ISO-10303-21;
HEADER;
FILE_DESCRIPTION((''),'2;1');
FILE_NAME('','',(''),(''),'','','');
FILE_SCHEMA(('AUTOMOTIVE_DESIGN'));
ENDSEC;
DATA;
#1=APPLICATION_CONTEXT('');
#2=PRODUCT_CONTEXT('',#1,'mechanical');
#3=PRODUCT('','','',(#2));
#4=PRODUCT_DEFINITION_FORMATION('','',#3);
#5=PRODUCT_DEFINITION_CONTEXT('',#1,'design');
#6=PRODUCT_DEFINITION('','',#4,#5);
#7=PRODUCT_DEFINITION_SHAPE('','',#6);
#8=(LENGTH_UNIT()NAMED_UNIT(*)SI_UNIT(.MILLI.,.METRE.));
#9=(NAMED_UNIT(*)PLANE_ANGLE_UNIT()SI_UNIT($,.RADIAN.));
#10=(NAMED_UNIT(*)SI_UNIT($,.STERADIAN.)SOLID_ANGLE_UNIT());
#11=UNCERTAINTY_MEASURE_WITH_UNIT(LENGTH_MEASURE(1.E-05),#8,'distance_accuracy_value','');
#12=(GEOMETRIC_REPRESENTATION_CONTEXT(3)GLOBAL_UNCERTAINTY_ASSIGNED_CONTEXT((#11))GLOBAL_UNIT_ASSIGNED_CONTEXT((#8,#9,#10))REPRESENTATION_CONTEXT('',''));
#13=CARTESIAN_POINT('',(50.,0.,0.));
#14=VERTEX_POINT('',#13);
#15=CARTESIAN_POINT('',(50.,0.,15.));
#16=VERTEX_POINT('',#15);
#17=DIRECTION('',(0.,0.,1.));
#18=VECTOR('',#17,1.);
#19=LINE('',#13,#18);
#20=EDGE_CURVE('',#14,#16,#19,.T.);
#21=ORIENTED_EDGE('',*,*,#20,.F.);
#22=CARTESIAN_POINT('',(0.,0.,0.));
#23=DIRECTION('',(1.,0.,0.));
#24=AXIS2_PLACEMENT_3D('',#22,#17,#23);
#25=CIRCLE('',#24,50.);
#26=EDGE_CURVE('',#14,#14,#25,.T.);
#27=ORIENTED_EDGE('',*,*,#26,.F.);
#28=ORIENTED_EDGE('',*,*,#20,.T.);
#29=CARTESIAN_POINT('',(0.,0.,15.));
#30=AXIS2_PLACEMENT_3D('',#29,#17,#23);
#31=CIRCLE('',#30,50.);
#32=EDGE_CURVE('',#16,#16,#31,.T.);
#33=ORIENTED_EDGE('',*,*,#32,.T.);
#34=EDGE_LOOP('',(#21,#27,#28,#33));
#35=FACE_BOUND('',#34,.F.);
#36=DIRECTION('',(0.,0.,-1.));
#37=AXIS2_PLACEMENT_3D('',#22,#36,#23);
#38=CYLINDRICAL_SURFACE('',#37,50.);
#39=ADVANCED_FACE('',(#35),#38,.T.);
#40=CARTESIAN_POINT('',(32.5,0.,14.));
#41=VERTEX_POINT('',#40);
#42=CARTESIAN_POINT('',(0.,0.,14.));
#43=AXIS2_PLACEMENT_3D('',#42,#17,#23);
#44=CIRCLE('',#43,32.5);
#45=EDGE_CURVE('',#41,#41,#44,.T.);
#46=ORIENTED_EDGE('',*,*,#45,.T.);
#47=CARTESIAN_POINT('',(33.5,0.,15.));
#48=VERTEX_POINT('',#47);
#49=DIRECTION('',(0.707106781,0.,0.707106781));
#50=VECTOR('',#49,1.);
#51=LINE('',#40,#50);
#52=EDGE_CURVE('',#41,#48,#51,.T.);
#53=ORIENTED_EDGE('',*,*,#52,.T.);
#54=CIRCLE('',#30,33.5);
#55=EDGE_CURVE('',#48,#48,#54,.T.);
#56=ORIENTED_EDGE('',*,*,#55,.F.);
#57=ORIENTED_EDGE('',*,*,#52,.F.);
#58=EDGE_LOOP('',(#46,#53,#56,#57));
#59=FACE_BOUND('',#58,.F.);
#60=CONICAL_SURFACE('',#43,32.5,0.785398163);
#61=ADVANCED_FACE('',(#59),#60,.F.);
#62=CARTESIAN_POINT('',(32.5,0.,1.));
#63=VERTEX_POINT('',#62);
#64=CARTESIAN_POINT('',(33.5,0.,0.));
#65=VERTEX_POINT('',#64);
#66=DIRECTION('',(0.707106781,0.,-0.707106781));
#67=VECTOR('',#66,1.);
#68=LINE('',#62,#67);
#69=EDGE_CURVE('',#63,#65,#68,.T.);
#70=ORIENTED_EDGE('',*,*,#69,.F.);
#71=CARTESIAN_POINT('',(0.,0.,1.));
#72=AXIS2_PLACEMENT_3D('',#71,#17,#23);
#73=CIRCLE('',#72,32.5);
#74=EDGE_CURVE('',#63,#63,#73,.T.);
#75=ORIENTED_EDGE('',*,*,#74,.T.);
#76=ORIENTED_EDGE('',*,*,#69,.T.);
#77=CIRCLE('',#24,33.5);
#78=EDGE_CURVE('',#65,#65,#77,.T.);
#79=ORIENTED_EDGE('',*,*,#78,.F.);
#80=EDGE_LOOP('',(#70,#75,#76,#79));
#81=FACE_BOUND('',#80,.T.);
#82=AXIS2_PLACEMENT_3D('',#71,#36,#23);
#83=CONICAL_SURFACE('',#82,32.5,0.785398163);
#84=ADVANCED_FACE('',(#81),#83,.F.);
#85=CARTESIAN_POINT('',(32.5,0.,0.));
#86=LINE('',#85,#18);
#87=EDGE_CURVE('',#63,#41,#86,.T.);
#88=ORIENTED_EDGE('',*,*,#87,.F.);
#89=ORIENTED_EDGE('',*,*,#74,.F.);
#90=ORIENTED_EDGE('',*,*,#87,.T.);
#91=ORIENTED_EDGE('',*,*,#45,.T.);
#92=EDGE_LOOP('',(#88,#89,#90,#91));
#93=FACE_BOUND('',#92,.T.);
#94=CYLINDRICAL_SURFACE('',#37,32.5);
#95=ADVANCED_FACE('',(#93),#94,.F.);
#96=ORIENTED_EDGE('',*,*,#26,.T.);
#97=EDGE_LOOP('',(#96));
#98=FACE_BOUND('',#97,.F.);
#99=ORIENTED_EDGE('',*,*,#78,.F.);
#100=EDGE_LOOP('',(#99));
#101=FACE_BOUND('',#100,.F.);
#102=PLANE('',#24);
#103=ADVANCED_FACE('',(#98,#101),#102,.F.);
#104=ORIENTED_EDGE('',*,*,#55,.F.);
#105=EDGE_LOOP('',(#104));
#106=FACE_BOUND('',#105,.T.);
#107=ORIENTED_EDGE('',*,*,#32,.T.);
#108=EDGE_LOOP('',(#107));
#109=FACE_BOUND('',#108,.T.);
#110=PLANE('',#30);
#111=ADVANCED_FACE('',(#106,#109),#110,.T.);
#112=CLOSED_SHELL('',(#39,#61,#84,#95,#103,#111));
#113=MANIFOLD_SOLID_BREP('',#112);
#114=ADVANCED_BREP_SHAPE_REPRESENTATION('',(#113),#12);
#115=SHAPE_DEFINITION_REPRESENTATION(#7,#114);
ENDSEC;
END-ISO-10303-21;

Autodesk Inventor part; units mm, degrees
ref_plane "YZ Plane" through (0, 0, 0) normal (1, 0, 0) x (0, 1, 0)
ref_plane "XZ Plane" through (0, 0, 0) normal (0, 1, 0) x (-1, 0, 0)
ref_plane "XY Plane" through (0, 0, 0) normal (0, 0, 1) x (1, 0, 0)
sketch "Sketch1" plane through (0, 0, 0) normal (0, 0, 1) x (1, 0, 0)
  circle A0 centre (0, 0) radius 32.5
  circle A1 centre (0, 0) radius 50
  dimension "d0" = 65
  dimension "d1" = 100
extrude "Extrusion1" add sketch "Sketch1" along normal blind 15
chamfer "Chamfer1" distance 1 angle 45 2 edges at (-32.5, 0, 15) (-32.5, 0, 0)
properties part number "DistantniPrsten"
